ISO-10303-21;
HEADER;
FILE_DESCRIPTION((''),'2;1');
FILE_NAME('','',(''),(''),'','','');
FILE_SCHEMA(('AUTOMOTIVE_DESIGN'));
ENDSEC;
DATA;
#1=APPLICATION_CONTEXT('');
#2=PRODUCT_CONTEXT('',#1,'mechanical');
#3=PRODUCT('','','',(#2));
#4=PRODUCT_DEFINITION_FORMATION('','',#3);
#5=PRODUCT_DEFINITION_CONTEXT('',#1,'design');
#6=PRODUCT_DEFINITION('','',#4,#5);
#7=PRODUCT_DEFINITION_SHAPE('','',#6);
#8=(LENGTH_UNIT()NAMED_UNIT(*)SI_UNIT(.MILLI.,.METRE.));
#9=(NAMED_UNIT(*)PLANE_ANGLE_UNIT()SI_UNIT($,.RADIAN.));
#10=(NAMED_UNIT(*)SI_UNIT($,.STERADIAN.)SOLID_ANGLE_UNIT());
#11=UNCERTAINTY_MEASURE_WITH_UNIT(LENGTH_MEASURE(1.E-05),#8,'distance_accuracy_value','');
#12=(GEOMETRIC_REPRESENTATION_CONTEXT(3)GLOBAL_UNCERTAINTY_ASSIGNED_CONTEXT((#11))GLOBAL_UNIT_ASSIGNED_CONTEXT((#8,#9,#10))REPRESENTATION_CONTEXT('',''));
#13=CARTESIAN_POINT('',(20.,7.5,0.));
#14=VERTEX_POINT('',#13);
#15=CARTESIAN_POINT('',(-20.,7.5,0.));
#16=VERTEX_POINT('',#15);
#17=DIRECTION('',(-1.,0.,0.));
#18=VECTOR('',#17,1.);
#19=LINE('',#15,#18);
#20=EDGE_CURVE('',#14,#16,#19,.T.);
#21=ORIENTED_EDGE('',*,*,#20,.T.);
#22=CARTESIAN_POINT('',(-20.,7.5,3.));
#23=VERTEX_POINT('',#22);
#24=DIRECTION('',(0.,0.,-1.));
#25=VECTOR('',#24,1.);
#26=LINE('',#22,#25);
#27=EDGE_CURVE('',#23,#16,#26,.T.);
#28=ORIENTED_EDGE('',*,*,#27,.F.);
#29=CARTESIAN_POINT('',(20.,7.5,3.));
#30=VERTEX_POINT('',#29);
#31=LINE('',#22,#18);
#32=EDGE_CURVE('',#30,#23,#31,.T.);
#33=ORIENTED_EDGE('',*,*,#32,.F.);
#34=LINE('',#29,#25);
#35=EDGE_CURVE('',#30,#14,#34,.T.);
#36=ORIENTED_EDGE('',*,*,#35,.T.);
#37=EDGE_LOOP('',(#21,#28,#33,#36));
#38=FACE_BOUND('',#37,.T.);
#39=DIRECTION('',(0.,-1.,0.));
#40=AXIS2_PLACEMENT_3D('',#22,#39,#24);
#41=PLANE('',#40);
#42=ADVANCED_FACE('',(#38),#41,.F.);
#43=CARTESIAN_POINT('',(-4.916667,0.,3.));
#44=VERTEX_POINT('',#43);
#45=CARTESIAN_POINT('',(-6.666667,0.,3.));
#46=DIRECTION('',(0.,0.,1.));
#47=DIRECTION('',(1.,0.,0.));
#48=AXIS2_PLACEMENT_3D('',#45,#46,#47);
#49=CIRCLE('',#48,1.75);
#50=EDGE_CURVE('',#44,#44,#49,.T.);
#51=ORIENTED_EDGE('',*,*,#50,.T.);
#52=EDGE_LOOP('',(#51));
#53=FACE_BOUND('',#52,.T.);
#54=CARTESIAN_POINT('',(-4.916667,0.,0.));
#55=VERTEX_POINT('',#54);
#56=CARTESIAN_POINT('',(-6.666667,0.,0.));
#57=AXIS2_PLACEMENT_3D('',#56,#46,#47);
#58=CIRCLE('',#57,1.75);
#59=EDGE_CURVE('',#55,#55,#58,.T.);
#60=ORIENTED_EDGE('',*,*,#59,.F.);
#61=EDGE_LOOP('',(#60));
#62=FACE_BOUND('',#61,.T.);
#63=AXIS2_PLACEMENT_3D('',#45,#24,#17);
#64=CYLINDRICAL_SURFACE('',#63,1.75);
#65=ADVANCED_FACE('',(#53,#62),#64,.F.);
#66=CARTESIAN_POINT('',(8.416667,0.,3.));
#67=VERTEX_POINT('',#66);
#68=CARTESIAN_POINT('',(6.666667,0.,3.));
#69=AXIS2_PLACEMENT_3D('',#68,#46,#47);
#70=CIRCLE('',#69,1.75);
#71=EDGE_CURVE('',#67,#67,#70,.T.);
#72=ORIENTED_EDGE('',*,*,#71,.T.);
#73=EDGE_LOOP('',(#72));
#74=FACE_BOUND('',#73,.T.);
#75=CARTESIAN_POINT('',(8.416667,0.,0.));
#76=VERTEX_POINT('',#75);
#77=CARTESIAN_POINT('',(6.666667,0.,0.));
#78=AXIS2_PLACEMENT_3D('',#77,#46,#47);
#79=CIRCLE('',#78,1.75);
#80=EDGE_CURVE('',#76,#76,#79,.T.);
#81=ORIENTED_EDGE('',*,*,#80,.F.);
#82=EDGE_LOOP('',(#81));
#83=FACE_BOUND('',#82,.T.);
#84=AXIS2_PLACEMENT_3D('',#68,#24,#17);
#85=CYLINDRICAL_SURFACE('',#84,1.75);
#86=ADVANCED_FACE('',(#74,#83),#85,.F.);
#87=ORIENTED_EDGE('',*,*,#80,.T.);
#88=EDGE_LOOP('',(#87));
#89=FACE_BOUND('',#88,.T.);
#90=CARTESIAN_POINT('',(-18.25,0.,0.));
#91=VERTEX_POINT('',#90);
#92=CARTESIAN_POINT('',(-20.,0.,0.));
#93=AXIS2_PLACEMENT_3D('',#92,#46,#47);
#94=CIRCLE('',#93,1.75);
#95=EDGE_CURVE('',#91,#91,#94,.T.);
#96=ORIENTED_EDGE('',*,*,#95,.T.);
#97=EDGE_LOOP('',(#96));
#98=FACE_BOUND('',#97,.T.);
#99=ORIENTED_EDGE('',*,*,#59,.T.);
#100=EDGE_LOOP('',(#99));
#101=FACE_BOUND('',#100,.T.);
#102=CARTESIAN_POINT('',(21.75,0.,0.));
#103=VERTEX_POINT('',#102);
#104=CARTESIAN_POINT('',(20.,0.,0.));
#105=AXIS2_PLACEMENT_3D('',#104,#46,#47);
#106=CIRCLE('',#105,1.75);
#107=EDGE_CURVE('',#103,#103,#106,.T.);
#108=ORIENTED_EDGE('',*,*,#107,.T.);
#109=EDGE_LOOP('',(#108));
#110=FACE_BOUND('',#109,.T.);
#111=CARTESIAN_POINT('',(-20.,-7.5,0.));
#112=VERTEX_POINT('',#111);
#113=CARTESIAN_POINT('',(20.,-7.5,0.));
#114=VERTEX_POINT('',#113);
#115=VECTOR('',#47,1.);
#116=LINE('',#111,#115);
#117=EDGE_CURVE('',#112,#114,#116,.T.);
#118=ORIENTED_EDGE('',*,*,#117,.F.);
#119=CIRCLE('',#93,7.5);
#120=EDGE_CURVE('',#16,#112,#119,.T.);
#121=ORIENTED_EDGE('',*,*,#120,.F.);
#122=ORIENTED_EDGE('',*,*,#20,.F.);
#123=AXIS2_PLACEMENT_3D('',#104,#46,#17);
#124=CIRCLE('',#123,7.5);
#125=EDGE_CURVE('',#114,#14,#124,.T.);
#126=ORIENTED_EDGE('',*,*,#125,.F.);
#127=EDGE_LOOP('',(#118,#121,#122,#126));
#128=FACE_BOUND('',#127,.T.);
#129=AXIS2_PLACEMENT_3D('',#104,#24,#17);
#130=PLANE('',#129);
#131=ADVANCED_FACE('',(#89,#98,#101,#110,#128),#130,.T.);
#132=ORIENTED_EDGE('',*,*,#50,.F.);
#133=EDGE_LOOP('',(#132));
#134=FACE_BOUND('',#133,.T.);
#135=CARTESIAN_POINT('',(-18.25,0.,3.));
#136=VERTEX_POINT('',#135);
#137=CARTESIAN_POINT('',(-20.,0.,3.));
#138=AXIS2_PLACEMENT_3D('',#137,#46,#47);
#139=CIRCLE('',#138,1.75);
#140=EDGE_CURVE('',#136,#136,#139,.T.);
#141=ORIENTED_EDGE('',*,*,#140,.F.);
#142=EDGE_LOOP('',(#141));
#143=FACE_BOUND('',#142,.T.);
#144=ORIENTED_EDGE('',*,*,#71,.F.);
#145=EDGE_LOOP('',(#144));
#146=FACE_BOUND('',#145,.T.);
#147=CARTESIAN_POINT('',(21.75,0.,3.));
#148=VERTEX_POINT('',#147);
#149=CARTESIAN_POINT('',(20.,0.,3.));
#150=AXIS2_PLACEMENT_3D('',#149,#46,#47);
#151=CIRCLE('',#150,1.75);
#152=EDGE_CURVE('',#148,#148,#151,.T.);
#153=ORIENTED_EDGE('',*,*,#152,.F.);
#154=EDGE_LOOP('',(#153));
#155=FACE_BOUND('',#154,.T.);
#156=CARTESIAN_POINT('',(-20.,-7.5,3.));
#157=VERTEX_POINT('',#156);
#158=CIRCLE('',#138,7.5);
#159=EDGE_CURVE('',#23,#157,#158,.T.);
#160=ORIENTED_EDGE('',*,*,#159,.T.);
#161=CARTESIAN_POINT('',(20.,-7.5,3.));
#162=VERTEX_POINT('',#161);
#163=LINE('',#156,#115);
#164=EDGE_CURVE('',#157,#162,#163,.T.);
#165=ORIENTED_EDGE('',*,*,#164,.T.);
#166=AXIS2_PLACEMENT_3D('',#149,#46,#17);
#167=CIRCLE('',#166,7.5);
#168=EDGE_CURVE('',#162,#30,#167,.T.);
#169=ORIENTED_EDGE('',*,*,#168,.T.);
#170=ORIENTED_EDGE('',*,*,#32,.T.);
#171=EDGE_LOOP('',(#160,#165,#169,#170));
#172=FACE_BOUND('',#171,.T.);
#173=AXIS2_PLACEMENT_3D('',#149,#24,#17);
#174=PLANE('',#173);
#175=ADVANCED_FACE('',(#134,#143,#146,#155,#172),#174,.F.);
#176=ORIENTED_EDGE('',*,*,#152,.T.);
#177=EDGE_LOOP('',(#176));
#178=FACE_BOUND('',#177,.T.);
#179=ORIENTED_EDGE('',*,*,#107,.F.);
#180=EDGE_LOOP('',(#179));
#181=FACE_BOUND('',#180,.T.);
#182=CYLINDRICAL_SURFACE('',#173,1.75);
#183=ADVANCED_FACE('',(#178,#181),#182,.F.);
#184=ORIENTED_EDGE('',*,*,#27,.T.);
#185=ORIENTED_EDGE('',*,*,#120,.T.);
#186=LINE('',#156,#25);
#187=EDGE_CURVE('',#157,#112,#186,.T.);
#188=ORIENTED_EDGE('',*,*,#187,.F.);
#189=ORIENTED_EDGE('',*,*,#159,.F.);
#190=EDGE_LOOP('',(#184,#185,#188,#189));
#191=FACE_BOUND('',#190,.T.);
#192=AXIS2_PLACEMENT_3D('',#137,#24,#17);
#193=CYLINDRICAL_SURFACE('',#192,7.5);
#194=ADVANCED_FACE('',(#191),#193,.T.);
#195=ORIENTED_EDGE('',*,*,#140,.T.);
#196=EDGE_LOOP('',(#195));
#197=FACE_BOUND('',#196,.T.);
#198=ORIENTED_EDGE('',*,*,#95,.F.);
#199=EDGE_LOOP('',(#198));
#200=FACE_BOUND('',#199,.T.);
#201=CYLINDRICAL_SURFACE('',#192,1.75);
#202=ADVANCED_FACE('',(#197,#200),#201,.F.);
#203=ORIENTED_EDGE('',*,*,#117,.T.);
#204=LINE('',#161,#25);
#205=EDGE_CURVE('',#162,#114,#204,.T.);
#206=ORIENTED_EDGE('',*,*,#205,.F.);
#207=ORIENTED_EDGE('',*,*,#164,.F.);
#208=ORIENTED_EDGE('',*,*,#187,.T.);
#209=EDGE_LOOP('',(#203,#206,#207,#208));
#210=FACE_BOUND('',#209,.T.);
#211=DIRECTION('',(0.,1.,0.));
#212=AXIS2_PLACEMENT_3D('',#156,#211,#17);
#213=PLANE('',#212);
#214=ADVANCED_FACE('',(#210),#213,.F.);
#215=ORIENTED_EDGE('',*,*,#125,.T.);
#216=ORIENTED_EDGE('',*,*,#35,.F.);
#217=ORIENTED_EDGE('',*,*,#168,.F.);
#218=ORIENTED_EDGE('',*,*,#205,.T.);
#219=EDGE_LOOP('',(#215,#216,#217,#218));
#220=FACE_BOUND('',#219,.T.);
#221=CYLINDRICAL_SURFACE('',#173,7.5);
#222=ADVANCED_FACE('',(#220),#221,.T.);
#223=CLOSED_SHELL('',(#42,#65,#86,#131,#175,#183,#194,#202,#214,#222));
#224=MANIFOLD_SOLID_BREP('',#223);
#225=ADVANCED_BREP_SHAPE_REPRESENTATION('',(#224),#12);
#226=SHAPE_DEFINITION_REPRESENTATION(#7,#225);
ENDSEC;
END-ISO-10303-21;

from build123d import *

# Parameters (mm, degrees)
SKETCH_1_R      = 1.75
EXTRUDE_1_DEPTH = 3


with BuildPart() as part:
    # 草圖1 → 伸長1 (new body)
    with BuildSketch(Plane.XY):
        with BuildLine():
            Line((-20, 7.5), (20, 7.5))
            ThreePointArc((20, 7.5), (27.5, 0), (20, -7.5))
            Line((20, -7.5), (-20, -7.5))
            ThreePointArc((-20, -7.5), (-27.5, 0), (-20, 7.5))
        make_face()
        with Locations((-20, 0)):
            Circle(SKETCH_1_R, mode=Mode.SUBTRACT)
        with Locations((20, 0)):
            Circle(SKETCH_1_R, mode=Mode.SUBTRACT)
        with Locations((-6.666666667, 0)):
            Circle(SKETCH_1_R, mode=Mode.SUBTRACT)
        with Locations((6.666666667, 0)):
            Circle(SKETCH_1_R, mode=Mode.SUBTRACT)
    extrude(amount=EXTRUDE_1_DEPTH)


solid = part.part
